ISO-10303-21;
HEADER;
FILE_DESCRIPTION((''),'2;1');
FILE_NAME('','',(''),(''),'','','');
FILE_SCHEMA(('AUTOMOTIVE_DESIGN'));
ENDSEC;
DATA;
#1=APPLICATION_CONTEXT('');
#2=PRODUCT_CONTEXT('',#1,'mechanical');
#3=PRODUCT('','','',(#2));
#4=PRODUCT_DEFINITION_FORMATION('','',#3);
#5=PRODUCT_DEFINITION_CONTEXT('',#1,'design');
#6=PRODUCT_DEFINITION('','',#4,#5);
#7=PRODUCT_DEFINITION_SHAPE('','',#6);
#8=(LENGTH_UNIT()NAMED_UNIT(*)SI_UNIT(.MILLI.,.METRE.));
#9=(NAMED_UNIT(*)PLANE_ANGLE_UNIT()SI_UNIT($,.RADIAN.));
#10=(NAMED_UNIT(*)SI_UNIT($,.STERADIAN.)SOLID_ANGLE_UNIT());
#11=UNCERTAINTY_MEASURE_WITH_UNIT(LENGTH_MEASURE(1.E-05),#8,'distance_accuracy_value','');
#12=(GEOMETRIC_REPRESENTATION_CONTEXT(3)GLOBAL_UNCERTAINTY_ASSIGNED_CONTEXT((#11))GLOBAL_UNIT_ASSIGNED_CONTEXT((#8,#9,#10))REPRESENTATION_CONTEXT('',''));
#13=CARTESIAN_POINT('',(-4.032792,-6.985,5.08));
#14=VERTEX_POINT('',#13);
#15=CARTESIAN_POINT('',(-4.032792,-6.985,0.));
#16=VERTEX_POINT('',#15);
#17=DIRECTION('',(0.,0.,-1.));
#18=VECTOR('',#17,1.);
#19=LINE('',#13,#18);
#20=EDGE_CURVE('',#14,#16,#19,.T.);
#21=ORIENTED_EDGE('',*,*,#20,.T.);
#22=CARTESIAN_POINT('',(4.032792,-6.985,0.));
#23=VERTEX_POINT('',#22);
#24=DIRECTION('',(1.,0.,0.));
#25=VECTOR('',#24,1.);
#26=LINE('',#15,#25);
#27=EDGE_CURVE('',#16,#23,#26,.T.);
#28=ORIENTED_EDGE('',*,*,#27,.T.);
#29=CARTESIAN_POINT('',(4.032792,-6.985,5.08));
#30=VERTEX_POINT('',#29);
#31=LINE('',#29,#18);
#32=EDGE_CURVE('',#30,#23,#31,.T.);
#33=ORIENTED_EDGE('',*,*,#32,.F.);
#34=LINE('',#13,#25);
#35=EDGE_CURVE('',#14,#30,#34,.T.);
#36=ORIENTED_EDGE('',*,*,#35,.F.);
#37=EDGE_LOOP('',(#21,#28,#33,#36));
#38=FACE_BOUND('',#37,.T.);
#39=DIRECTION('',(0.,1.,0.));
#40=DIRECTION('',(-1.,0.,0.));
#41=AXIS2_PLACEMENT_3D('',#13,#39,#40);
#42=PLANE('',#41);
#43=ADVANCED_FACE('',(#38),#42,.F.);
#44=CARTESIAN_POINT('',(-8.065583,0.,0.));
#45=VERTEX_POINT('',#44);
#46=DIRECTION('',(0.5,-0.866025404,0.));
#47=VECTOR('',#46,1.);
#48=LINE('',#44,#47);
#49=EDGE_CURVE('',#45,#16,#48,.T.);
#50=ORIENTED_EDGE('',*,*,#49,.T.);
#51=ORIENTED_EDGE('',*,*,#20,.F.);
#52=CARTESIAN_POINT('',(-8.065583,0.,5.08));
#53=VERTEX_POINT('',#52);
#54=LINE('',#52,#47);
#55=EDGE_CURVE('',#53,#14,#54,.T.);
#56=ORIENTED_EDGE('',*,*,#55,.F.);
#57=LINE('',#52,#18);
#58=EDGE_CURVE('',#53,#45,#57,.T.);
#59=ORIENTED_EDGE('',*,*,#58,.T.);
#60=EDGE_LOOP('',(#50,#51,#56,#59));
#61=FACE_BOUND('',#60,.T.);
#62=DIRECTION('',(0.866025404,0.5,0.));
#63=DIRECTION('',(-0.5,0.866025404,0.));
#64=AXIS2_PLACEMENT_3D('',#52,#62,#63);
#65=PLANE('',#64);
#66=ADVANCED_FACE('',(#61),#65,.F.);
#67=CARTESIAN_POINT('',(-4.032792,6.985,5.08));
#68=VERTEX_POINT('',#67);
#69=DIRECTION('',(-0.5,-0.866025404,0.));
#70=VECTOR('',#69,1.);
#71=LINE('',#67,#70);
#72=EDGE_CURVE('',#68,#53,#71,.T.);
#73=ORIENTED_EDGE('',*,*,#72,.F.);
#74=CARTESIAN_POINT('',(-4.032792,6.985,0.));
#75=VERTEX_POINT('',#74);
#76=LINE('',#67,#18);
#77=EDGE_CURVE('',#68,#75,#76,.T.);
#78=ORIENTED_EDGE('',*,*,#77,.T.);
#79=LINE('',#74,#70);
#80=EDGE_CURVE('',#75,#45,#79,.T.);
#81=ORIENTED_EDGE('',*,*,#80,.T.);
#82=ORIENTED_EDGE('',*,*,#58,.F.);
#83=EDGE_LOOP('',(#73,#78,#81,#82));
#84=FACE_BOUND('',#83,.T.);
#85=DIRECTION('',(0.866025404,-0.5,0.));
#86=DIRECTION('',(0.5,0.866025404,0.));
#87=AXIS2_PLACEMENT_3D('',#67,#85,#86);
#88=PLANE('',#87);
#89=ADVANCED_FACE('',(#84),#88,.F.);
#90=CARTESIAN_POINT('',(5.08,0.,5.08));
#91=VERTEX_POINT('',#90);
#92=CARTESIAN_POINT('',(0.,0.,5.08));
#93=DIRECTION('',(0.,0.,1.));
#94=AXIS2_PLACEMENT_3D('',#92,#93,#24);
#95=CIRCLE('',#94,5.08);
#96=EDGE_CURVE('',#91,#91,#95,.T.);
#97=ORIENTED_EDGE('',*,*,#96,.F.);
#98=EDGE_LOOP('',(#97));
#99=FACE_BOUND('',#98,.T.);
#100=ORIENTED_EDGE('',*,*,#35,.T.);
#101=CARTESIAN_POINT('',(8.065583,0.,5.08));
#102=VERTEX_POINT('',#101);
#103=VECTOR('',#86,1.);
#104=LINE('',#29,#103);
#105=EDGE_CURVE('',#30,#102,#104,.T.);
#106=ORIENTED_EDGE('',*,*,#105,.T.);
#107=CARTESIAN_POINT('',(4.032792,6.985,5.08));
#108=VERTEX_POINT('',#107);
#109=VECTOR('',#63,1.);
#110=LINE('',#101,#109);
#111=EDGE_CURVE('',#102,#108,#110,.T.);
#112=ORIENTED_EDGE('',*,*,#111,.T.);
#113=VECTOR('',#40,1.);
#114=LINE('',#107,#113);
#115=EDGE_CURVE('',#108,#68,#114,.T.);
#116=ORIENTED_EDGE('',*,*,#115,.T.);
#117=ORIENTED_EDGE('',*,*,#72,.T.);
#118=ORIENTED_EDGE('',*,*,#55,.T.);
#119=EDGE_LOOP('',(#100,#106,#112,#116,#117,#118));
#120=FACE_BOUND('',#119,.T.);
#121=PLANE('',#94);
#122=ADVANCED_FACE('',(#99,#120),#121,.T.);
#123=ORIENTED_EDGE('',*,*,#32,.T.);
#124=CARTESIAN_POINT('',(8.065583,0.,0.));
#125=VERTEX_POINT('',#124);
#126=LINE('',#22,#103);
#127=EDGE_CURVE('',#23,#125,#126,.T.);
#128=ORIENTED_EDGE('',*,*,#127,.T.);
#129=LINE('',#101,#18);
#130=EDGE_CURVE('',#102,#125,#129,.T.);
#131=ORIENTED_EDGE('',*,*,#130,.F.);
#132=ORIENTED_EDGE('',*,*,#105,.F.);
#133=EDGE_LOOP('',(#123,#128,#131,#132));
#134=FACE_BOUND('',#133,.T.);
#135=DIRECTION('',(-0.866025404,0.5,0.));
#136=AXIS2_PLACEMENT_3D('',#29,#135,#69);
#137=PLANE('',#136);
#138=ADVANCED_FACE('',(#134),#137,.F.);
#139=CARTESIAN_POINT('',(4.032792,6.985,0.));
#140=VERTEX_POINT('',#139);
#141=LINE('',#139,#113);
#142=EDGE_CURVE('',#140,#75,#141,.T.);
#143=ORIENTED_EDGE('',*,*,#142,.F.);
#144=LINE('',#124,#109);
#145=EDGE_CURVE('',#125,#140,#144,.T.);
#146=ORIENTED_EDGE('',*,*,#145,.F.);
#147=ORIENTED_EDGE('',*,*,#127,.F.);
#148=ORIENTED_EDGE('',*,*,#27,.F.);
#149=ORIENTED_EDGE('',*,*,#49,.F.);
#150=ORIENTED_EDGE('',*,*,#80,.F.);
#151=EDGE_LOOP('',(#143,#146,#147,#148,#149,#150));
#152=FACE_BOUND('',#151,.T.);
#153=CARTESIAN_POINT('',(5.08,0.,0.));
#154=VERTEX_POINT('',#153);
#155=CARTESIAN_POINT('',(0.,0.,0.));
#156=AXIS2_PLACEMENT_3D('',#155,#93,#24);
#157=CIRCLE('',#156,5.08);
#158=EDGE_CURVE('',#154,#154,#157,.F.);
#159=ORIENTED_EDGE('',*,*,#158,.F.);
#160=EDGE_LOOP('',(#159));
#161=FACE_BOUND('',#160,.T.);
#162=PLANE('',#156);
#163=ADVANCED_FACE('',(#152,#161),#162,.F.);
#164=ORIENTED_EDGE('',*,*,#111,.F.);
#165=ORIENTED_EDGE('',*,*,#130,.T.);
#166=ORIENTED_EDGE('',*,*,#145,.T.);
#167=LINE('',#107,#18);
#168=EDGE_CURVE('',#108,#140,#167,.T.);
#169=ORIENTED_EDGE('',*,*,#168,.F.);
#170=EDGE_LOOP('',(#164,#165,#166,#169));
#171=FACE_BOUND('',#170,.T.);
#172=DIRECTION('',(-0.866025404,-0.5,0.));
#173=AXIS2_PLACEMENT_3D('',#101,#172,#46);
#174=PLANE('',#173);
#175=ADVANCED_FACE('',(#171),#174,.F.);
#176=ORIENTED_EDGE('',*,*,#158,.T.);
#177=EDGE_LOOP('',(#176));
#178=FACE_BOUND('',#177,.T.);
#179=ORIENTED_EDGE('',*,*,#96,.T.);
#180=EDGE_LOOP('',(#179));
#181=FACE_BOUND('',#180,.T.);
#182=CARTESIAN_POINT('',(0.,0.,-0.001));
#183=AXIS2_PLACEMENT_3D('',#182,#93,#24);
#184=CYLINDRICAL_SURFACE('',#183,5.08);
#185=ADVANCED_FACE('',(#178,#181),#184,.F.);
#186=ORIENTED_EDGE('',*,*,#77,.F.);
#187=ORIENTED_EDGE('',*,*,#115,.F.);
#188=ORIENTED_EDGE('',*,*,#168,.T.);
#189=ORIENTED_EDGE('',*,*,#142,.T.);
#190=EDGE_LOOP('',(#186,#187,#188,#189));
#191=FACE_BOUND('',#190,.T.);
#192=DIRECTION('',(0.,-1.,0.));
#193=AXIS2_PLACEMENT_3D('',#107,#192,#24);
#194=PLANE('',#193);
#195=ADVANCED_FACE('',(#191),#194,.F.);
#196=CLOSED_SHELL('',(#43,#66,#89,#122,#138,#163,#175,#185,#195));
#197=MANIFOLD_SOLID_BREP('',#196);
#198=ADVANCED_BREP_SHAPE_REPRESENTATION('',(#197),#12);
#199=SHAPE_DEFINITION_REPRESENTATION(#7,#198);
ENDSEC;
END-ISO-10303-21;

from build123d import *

# Parameters (mm, degrees)
BOSS_EXTRUDE1_DEPTH = 5.08
CUT_EXTRUDE1_REACH  = 13.817
SKETCH2_R           = 5.08


with BuildPart() as part:
    # Sketch1 → Boss-Extrude1 (new body)
    with BuildSketch(Plane.XY):
        Polygon((8.065583261, 0), (4.03279163, 6.985), (-4.03279163, 6.985), (-8.065583261, 0), (-4.03279163, -6.985), (4.03279163, -6.985), align=None)
    extrude(amount=BOSS_EXTRUDE1_DEPTH)

    # Sketch2 → Cut-Extrude1 (cut, up to next)
    with BuildSketch(Plane.XY.offset(5.08), mode=Mode.PRIVATE) as cut_extrude1_sk1:
        Circle(SKETCH2_R)
    cut_extrude1_tool1 = extrude(cut_extrude1_sk1.sketch, amount=-CUT_EXTRUDE1_REACH, mode=Mode.PRIVATE) & part.part
    add(cut_extrude1_tool1.solids().sort_by_distance((0, 0, 5.08))[0], mode=Mode.SUBTRACT)


solid = part.part
